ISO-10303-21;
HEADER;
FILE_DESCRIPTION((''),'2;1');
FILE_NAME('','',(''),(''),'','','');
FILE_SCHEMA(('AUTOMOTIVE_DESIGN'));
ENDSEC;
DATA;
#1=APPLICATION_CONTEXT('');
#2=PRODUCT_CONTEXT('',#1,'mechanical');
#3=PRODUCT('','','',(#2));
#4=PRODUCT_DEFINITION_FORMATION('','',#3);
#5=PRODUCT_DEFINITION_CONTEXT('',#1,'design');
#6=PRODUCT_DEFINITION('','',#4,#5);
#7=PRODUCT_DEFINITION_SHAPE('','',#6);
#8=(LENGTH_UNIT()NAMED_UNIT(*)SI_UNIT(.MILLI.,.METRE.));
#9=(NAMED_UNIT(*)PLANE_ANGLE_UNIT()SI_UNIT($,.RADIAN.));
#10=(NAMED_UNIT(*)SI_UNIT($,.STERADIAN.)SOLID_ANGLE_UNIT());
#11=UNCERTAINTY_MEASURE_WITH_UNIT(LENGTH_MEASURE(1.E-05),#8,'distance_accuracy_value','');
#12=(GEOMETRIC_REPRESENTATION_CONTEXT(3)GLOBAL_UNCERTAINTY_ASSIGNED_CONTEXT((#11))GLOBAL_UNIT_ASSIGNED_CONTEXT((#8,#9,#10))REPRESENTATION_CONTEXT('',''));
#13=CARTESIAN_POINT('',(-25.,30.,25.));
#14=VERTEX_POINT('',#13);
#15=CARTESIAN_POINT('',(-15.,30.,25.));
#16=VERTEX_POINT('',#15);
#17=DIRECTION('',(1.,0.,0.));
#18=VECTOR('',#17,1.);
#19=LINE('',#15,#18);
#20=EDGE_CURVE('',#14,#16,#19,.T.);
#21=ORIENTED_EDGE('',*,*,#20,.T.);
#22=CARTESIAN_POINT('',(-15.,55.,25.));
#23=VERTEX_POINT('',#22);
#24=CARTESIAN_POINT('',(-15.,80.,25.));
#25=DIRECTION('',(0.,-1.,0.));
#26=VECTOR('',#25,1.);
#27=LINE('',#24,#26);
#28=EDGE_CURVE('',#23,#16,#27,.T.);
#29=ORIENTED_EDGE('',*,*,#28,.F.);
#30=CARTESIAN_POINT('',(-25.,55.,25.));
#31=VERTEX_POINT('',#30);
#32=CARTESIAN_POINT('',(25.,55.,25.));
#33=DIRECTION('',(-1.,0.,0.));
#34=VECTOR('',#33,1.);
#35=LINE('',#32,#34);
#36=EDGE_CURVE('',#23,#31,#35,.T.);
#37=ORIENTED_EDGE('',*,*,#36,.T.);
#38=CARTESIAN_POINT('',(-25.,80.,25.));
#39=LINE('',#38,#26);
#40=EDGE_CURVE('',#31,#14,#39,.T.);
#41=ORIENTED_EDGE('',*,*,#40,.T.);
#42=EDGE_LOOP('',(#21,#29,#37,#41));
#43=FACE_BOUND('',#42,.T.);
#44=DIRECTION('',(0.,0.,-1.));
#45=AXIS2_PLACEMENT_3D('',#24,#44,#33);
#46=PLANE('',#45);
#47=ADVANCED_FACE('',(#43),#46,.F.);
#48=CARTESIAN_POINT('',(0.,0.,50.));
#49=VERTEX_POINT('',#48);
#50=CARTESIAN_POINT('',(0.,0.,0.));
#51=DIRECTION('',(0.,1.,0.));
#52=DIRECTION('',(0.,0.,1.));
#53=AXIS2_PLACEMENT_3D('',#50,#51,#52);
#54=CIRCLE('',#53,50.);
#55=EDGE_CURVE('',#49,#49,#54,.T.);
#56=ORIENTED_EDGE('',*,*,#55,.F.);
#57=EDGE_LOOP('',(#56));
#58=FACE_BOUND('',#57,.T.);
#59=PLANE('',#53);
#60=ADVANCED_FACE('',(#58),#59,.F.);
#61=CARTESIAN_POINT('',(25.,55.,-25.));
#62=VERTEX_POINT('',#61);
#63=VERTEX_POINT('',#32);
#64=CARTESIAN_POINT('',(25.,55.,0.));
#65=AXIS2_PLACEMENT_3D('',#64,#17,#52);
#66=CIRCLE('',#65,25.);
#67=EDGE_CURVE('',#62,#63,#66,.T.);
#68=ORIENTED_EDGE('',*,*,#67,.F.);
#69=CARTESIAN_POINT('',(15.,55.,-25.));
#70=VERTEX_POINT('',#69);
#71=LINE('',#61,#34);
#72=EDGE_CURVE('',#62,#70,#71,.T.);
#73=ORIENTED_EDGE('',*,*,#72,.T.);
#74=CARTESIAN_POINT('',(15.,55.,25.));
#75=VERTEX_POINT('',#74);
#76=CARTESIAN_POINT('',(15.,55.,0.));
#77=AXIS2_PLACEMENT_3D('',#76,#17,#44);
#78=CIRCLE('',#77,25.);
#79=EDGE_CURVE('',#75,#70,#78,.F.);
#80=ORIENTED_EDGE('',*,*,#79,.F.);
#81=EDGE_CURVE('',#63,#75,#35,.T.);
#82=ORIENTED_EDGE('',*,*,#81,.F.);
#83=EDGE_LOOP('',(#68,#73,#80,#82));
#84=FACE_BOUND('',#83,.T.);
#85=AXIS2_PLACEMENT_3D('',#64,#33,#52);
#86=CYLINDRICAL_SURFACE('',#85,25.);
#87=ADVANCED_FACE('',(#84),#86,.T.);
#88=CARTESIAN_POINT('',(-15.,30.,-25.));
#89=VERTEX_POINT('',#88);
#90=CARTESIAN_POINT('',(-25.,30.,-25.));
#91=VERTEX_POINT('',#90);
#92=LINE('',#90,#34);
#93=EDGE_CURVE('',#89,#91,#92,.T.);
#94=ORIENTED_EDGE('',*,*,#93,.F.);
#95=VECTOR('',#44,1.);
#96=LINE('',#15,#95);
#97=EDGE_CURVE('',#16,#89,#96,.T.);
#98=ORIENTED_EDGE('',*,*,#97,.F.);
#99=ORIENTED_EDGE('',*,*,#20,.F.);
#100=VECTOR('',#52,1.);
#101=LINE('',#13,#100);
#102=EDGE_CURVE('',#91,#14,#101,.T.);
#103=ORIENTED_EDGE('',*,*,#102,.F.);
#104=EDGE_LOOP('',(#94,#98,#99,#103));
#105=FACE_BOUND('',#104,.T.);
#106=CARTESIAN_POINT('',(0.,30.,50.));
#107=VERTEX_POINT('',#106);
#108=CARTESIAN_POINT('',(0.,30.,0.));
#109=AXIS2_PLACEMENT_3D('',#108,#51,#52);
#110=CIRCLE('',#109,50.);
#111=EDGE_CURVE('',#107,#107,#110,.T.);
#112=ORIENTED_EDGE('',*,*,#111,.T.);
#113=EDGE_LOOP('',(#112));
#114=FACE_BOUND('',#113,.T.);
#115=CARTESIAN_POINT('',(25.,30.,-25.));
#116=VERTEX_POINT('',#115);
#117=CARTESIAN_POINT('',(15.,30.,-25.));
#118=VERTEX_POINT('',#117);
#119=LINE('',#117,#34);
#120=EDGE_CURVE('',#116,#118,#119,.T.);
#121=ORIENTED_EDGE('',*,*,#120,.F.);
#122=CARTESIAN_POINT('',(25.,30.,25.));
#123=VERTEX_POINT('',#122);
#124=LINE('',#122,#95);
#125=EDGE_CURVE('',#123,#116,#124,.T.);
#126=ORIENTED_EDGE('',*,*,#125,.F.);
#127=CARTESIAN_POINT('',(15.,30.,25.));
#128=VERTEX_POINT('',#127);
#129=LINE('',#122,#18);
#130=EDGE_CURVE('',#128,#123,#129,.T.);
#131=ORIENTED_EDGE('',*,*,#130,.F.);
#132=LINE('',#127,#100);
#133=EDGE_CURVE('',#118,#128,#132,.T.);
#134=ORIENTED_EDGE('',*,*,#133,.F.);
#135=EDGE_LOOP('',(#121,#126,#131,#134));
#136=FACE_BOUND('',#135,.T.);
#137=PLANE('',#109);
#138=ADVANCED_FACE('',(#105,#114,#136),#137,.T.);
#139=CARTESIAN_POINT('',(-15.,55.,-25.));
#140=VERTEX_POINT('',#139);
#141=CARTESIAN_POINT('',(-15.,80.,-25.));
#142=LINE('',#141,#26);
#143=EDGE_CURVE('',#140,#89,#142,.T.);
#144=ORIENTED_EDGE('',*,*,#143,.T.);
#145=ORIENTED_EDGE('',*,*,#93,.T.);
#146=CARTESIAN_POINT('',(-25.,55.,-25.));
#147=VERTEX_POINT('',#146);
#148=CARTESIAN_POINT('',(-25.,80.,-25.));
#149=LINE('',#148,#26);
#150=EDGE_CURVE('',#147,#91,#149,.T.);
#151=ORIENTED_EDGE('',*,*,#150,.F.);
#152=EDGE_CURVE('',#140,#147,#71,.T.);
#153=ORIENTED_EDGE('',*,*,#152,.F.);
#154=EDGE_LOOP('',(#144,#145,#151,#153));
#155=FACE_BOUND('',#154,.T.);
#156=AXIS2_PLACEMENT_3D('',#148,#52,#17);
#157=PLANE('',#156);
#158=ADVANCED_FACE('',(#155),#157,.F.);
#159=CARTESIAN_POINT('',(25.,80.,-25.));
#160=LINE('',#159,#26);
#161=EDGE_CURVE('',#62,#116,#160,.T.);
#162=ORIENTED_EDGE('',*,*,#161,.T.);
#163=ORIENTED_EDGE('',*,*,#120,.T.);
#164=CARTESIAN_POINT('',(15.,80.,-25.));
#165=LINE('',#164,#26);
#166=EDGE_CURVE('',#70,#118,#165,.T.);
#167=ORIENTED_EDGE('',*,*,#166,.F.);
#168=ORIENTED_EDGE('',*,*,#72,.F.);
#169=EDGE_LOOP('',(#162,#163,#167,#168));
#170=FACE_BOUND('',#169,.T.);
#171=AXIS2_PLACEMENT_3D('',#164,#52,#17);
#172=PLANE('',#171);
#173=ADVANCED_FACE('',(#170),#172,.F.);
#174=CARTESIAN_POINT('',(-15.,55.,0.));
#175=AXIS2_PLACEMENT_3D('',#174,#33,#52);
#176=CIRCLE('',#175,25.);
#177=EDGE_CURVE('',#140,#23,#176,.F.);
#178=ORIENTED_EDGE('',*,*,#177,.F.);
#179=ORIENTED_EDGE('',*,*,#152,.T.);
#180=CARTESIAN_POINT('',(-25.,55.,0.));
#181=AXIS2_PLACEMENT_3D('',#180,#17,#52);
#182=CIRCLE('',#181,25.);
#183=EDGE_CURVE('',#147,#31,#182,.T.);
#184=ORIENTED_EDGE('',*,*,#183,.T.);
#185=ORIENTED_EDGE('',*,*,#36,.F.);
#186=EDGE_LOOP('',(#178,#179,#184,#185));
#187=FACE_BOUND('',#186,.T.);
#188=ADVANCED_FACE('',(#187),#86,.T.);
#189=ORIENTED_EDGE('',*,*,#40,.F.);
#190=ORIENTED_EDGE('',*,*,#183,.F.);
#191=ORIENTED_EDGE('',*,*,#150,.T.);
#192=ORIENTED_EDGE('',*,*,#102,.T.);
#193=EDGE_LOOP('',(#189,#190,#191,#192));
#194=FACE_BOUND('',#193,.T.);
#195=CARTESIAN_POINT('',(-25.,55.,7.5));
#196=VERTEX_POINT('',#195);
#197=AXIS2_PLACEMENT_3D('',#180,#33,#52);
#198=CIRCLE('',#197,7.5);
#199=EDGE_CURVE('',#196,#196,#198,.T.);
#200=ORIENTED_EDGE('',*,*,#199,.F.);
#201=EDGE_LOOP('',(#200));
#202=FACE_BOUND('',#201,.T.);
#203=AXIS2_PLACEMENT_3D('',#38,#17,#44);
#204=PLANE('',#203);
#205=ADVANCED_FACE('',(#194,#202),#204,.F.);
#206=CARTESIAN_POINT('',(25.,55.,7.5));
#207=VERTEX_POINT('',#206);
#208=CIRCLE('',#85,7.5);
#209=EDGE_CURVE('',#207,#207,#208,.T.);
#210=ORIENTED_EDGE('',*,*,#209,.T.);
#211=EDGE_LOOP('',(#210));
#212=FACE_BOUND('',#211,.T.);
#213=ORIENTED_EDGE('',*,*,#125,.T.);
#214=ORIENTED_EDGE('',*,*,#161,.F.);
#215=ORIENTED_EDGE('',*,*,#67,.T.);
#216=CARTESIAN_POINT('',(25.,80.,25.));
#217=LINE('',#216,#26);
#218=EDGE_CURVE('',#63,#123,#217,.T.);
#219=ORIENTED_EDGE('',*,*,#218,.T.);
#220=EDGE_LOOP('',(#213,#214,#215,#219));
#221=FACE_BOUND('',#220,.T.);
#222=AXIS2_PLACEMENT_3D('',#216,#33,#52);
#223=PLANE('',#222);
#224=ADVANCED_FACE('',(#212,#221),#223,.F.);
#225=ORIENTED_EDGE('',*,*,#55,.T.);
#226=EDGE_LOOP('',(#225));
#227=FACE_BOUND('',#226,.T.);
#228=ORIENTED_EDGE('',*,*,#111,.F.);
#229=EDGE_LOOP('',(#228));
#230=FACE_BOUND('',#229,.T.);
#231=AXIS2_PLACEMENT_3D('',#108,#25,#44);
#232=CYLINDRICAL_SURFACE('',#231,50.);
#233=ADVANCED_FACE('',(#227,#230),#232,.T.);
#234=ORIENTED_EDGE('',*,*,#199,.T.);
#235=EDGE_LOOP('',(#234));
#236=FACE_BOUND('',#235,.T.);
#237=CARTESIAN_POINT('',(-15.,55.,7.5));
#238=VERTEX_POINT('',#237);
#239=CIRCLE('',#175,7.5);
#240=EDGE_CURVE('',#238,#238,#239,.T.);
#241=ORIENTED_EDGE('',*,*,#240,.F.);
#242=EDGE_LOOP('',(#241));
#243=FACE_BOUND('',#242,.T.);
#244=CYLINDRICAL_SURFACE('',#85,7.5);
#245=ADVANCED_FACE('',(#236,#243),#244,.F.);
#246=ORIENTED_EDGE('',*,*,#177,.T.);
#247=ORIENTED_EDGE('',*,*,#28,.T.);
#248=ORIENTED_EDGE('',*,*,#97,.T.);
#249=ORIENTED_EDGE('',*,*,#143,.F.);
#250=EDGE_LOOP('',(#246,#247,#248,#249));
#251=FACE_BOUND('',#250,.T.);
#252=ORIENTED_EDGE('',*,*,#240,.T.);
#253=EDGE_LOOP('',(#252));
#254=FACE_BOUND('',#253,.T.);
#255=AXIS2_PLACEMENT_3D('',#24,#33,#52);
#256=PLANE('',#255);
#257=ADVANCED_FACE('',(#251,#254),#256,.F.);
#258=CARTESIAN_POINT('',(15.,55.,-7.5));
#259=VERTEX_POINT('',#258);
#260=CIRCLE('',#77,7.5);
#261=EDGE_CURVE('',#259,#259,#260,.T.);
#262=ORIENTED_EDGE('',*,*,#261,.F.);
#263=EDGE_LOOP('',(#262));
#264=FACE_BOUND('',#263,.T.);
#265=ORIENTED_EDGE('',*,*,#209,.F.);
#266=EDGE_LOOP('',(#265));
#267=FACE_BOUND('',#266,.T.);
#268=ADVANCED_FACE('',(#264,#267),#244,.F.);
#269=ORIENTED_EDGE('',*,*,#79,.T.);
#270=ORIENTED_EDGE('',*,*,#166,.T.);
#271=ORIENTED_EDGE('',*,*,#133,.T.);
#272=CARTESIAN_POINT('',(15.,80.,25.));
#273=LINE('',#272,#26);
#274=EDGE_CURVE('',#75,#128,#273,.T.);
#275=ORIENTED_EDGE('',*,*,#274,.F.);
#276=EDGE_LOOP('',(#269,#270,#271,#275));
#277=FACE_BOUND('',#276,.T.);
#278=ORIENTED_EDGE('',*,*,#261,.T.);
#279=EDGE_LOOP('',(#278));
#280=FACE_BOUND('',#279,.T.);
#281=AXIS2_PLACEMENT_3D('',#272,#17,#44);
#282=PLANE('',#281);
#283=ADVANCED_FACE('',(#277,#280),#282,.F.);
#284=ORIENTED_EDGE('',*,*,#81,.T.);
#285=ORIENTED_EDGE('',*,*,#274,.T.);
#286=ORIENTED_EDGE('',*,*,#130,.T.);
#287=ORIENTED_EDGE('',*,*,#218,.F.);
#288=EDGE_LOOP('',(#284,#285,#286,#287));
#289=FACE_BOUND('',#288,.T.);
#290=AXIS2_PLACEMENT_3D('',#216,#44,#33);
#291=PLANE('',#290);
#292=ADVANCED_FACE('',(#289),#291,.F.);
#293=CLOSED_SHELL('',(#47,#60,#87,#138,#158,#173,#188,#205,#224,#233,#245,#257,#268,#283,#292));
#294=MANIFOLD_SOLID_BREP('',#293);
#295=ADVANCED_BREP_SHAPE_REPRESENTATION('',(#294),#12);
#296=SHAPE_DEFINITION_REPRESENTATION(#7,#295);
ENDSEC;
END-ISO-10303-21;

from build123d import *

# Parameters (mm, degrees)
SKETCH1_R           = 50
BOSS_EXTRUDE1_DEPTH = 30
SKETCH2_W           = 10
SKETCH2_H           = 50
BOSS_EXTRUDE2_DEPTH = 50
CUT_EXTRUDE2_DEPTH  = 50
SKETCH5_R           = 7.5
CUT_EXTRUDE3_DEPTH  = 50


with BuildPart() as part:
    # Sketch1 → Boss-Extrude1 (new body)
    with BuildSketch(Plane(origin=(0, 0, 0), x_dir=(1, 0, 0), z_dir=(0, 1, 0))):
        Circle(SKETCH1_R)
    extrude(amount=BOSS_EXTRUDE1_DEPTH)

    # Sketch2 → Boss-Extrude2 (add)
    with BuildSketch(Plane(origin=(0, 30, 0), x_dir=(1, 0, 0), z_dir=(0, 1, 0))):
        with Locations((-20, 0)):
            Rectangle(SKETCH2_W, SKETCH2_H)
        with Locations((20, 0)):
            Rectangle(SKETCH2_W, SKETCH2_H)
    extrude(amount=BOSS_EXTRUDE2_DEPTH)

    # Sketch4 → Cut-Extrude2 (cut)
    with BuildSketch(Plane.ZY.offset(25)):
        with BuildLine():
            Line((30.852726851, 88.254535322), (30.852726851, 55))
            Line((30.852726851, 55), (25, 55))
            ThreePointArc((25, 55), (0, 80), (-25, 55))
            Line((-25, 55), (-34.201839493, 55))
            Line((-34.201839493, 55), (-34.201839493, 88.254535322))
            Line((-34.201839493, 88.254535322), (30.852726851, 88.254535322))
        make_face()
    extrude(amount=-CUT_EXTRUDE2_DEPTH, mode=Mode.SUBTRACT)

    # Sketch5 → Cut-Extrude3 (cut)
    with BuildSketch(Plane.ZY.offset(25)):
        with Locations((0, 55)):
            Circle(SKETCH5_R)
    extrude(amount=-CUT_EXTRUDE3_DEPTH, mode=Mode.SUBTRACT)


solid = part.part
